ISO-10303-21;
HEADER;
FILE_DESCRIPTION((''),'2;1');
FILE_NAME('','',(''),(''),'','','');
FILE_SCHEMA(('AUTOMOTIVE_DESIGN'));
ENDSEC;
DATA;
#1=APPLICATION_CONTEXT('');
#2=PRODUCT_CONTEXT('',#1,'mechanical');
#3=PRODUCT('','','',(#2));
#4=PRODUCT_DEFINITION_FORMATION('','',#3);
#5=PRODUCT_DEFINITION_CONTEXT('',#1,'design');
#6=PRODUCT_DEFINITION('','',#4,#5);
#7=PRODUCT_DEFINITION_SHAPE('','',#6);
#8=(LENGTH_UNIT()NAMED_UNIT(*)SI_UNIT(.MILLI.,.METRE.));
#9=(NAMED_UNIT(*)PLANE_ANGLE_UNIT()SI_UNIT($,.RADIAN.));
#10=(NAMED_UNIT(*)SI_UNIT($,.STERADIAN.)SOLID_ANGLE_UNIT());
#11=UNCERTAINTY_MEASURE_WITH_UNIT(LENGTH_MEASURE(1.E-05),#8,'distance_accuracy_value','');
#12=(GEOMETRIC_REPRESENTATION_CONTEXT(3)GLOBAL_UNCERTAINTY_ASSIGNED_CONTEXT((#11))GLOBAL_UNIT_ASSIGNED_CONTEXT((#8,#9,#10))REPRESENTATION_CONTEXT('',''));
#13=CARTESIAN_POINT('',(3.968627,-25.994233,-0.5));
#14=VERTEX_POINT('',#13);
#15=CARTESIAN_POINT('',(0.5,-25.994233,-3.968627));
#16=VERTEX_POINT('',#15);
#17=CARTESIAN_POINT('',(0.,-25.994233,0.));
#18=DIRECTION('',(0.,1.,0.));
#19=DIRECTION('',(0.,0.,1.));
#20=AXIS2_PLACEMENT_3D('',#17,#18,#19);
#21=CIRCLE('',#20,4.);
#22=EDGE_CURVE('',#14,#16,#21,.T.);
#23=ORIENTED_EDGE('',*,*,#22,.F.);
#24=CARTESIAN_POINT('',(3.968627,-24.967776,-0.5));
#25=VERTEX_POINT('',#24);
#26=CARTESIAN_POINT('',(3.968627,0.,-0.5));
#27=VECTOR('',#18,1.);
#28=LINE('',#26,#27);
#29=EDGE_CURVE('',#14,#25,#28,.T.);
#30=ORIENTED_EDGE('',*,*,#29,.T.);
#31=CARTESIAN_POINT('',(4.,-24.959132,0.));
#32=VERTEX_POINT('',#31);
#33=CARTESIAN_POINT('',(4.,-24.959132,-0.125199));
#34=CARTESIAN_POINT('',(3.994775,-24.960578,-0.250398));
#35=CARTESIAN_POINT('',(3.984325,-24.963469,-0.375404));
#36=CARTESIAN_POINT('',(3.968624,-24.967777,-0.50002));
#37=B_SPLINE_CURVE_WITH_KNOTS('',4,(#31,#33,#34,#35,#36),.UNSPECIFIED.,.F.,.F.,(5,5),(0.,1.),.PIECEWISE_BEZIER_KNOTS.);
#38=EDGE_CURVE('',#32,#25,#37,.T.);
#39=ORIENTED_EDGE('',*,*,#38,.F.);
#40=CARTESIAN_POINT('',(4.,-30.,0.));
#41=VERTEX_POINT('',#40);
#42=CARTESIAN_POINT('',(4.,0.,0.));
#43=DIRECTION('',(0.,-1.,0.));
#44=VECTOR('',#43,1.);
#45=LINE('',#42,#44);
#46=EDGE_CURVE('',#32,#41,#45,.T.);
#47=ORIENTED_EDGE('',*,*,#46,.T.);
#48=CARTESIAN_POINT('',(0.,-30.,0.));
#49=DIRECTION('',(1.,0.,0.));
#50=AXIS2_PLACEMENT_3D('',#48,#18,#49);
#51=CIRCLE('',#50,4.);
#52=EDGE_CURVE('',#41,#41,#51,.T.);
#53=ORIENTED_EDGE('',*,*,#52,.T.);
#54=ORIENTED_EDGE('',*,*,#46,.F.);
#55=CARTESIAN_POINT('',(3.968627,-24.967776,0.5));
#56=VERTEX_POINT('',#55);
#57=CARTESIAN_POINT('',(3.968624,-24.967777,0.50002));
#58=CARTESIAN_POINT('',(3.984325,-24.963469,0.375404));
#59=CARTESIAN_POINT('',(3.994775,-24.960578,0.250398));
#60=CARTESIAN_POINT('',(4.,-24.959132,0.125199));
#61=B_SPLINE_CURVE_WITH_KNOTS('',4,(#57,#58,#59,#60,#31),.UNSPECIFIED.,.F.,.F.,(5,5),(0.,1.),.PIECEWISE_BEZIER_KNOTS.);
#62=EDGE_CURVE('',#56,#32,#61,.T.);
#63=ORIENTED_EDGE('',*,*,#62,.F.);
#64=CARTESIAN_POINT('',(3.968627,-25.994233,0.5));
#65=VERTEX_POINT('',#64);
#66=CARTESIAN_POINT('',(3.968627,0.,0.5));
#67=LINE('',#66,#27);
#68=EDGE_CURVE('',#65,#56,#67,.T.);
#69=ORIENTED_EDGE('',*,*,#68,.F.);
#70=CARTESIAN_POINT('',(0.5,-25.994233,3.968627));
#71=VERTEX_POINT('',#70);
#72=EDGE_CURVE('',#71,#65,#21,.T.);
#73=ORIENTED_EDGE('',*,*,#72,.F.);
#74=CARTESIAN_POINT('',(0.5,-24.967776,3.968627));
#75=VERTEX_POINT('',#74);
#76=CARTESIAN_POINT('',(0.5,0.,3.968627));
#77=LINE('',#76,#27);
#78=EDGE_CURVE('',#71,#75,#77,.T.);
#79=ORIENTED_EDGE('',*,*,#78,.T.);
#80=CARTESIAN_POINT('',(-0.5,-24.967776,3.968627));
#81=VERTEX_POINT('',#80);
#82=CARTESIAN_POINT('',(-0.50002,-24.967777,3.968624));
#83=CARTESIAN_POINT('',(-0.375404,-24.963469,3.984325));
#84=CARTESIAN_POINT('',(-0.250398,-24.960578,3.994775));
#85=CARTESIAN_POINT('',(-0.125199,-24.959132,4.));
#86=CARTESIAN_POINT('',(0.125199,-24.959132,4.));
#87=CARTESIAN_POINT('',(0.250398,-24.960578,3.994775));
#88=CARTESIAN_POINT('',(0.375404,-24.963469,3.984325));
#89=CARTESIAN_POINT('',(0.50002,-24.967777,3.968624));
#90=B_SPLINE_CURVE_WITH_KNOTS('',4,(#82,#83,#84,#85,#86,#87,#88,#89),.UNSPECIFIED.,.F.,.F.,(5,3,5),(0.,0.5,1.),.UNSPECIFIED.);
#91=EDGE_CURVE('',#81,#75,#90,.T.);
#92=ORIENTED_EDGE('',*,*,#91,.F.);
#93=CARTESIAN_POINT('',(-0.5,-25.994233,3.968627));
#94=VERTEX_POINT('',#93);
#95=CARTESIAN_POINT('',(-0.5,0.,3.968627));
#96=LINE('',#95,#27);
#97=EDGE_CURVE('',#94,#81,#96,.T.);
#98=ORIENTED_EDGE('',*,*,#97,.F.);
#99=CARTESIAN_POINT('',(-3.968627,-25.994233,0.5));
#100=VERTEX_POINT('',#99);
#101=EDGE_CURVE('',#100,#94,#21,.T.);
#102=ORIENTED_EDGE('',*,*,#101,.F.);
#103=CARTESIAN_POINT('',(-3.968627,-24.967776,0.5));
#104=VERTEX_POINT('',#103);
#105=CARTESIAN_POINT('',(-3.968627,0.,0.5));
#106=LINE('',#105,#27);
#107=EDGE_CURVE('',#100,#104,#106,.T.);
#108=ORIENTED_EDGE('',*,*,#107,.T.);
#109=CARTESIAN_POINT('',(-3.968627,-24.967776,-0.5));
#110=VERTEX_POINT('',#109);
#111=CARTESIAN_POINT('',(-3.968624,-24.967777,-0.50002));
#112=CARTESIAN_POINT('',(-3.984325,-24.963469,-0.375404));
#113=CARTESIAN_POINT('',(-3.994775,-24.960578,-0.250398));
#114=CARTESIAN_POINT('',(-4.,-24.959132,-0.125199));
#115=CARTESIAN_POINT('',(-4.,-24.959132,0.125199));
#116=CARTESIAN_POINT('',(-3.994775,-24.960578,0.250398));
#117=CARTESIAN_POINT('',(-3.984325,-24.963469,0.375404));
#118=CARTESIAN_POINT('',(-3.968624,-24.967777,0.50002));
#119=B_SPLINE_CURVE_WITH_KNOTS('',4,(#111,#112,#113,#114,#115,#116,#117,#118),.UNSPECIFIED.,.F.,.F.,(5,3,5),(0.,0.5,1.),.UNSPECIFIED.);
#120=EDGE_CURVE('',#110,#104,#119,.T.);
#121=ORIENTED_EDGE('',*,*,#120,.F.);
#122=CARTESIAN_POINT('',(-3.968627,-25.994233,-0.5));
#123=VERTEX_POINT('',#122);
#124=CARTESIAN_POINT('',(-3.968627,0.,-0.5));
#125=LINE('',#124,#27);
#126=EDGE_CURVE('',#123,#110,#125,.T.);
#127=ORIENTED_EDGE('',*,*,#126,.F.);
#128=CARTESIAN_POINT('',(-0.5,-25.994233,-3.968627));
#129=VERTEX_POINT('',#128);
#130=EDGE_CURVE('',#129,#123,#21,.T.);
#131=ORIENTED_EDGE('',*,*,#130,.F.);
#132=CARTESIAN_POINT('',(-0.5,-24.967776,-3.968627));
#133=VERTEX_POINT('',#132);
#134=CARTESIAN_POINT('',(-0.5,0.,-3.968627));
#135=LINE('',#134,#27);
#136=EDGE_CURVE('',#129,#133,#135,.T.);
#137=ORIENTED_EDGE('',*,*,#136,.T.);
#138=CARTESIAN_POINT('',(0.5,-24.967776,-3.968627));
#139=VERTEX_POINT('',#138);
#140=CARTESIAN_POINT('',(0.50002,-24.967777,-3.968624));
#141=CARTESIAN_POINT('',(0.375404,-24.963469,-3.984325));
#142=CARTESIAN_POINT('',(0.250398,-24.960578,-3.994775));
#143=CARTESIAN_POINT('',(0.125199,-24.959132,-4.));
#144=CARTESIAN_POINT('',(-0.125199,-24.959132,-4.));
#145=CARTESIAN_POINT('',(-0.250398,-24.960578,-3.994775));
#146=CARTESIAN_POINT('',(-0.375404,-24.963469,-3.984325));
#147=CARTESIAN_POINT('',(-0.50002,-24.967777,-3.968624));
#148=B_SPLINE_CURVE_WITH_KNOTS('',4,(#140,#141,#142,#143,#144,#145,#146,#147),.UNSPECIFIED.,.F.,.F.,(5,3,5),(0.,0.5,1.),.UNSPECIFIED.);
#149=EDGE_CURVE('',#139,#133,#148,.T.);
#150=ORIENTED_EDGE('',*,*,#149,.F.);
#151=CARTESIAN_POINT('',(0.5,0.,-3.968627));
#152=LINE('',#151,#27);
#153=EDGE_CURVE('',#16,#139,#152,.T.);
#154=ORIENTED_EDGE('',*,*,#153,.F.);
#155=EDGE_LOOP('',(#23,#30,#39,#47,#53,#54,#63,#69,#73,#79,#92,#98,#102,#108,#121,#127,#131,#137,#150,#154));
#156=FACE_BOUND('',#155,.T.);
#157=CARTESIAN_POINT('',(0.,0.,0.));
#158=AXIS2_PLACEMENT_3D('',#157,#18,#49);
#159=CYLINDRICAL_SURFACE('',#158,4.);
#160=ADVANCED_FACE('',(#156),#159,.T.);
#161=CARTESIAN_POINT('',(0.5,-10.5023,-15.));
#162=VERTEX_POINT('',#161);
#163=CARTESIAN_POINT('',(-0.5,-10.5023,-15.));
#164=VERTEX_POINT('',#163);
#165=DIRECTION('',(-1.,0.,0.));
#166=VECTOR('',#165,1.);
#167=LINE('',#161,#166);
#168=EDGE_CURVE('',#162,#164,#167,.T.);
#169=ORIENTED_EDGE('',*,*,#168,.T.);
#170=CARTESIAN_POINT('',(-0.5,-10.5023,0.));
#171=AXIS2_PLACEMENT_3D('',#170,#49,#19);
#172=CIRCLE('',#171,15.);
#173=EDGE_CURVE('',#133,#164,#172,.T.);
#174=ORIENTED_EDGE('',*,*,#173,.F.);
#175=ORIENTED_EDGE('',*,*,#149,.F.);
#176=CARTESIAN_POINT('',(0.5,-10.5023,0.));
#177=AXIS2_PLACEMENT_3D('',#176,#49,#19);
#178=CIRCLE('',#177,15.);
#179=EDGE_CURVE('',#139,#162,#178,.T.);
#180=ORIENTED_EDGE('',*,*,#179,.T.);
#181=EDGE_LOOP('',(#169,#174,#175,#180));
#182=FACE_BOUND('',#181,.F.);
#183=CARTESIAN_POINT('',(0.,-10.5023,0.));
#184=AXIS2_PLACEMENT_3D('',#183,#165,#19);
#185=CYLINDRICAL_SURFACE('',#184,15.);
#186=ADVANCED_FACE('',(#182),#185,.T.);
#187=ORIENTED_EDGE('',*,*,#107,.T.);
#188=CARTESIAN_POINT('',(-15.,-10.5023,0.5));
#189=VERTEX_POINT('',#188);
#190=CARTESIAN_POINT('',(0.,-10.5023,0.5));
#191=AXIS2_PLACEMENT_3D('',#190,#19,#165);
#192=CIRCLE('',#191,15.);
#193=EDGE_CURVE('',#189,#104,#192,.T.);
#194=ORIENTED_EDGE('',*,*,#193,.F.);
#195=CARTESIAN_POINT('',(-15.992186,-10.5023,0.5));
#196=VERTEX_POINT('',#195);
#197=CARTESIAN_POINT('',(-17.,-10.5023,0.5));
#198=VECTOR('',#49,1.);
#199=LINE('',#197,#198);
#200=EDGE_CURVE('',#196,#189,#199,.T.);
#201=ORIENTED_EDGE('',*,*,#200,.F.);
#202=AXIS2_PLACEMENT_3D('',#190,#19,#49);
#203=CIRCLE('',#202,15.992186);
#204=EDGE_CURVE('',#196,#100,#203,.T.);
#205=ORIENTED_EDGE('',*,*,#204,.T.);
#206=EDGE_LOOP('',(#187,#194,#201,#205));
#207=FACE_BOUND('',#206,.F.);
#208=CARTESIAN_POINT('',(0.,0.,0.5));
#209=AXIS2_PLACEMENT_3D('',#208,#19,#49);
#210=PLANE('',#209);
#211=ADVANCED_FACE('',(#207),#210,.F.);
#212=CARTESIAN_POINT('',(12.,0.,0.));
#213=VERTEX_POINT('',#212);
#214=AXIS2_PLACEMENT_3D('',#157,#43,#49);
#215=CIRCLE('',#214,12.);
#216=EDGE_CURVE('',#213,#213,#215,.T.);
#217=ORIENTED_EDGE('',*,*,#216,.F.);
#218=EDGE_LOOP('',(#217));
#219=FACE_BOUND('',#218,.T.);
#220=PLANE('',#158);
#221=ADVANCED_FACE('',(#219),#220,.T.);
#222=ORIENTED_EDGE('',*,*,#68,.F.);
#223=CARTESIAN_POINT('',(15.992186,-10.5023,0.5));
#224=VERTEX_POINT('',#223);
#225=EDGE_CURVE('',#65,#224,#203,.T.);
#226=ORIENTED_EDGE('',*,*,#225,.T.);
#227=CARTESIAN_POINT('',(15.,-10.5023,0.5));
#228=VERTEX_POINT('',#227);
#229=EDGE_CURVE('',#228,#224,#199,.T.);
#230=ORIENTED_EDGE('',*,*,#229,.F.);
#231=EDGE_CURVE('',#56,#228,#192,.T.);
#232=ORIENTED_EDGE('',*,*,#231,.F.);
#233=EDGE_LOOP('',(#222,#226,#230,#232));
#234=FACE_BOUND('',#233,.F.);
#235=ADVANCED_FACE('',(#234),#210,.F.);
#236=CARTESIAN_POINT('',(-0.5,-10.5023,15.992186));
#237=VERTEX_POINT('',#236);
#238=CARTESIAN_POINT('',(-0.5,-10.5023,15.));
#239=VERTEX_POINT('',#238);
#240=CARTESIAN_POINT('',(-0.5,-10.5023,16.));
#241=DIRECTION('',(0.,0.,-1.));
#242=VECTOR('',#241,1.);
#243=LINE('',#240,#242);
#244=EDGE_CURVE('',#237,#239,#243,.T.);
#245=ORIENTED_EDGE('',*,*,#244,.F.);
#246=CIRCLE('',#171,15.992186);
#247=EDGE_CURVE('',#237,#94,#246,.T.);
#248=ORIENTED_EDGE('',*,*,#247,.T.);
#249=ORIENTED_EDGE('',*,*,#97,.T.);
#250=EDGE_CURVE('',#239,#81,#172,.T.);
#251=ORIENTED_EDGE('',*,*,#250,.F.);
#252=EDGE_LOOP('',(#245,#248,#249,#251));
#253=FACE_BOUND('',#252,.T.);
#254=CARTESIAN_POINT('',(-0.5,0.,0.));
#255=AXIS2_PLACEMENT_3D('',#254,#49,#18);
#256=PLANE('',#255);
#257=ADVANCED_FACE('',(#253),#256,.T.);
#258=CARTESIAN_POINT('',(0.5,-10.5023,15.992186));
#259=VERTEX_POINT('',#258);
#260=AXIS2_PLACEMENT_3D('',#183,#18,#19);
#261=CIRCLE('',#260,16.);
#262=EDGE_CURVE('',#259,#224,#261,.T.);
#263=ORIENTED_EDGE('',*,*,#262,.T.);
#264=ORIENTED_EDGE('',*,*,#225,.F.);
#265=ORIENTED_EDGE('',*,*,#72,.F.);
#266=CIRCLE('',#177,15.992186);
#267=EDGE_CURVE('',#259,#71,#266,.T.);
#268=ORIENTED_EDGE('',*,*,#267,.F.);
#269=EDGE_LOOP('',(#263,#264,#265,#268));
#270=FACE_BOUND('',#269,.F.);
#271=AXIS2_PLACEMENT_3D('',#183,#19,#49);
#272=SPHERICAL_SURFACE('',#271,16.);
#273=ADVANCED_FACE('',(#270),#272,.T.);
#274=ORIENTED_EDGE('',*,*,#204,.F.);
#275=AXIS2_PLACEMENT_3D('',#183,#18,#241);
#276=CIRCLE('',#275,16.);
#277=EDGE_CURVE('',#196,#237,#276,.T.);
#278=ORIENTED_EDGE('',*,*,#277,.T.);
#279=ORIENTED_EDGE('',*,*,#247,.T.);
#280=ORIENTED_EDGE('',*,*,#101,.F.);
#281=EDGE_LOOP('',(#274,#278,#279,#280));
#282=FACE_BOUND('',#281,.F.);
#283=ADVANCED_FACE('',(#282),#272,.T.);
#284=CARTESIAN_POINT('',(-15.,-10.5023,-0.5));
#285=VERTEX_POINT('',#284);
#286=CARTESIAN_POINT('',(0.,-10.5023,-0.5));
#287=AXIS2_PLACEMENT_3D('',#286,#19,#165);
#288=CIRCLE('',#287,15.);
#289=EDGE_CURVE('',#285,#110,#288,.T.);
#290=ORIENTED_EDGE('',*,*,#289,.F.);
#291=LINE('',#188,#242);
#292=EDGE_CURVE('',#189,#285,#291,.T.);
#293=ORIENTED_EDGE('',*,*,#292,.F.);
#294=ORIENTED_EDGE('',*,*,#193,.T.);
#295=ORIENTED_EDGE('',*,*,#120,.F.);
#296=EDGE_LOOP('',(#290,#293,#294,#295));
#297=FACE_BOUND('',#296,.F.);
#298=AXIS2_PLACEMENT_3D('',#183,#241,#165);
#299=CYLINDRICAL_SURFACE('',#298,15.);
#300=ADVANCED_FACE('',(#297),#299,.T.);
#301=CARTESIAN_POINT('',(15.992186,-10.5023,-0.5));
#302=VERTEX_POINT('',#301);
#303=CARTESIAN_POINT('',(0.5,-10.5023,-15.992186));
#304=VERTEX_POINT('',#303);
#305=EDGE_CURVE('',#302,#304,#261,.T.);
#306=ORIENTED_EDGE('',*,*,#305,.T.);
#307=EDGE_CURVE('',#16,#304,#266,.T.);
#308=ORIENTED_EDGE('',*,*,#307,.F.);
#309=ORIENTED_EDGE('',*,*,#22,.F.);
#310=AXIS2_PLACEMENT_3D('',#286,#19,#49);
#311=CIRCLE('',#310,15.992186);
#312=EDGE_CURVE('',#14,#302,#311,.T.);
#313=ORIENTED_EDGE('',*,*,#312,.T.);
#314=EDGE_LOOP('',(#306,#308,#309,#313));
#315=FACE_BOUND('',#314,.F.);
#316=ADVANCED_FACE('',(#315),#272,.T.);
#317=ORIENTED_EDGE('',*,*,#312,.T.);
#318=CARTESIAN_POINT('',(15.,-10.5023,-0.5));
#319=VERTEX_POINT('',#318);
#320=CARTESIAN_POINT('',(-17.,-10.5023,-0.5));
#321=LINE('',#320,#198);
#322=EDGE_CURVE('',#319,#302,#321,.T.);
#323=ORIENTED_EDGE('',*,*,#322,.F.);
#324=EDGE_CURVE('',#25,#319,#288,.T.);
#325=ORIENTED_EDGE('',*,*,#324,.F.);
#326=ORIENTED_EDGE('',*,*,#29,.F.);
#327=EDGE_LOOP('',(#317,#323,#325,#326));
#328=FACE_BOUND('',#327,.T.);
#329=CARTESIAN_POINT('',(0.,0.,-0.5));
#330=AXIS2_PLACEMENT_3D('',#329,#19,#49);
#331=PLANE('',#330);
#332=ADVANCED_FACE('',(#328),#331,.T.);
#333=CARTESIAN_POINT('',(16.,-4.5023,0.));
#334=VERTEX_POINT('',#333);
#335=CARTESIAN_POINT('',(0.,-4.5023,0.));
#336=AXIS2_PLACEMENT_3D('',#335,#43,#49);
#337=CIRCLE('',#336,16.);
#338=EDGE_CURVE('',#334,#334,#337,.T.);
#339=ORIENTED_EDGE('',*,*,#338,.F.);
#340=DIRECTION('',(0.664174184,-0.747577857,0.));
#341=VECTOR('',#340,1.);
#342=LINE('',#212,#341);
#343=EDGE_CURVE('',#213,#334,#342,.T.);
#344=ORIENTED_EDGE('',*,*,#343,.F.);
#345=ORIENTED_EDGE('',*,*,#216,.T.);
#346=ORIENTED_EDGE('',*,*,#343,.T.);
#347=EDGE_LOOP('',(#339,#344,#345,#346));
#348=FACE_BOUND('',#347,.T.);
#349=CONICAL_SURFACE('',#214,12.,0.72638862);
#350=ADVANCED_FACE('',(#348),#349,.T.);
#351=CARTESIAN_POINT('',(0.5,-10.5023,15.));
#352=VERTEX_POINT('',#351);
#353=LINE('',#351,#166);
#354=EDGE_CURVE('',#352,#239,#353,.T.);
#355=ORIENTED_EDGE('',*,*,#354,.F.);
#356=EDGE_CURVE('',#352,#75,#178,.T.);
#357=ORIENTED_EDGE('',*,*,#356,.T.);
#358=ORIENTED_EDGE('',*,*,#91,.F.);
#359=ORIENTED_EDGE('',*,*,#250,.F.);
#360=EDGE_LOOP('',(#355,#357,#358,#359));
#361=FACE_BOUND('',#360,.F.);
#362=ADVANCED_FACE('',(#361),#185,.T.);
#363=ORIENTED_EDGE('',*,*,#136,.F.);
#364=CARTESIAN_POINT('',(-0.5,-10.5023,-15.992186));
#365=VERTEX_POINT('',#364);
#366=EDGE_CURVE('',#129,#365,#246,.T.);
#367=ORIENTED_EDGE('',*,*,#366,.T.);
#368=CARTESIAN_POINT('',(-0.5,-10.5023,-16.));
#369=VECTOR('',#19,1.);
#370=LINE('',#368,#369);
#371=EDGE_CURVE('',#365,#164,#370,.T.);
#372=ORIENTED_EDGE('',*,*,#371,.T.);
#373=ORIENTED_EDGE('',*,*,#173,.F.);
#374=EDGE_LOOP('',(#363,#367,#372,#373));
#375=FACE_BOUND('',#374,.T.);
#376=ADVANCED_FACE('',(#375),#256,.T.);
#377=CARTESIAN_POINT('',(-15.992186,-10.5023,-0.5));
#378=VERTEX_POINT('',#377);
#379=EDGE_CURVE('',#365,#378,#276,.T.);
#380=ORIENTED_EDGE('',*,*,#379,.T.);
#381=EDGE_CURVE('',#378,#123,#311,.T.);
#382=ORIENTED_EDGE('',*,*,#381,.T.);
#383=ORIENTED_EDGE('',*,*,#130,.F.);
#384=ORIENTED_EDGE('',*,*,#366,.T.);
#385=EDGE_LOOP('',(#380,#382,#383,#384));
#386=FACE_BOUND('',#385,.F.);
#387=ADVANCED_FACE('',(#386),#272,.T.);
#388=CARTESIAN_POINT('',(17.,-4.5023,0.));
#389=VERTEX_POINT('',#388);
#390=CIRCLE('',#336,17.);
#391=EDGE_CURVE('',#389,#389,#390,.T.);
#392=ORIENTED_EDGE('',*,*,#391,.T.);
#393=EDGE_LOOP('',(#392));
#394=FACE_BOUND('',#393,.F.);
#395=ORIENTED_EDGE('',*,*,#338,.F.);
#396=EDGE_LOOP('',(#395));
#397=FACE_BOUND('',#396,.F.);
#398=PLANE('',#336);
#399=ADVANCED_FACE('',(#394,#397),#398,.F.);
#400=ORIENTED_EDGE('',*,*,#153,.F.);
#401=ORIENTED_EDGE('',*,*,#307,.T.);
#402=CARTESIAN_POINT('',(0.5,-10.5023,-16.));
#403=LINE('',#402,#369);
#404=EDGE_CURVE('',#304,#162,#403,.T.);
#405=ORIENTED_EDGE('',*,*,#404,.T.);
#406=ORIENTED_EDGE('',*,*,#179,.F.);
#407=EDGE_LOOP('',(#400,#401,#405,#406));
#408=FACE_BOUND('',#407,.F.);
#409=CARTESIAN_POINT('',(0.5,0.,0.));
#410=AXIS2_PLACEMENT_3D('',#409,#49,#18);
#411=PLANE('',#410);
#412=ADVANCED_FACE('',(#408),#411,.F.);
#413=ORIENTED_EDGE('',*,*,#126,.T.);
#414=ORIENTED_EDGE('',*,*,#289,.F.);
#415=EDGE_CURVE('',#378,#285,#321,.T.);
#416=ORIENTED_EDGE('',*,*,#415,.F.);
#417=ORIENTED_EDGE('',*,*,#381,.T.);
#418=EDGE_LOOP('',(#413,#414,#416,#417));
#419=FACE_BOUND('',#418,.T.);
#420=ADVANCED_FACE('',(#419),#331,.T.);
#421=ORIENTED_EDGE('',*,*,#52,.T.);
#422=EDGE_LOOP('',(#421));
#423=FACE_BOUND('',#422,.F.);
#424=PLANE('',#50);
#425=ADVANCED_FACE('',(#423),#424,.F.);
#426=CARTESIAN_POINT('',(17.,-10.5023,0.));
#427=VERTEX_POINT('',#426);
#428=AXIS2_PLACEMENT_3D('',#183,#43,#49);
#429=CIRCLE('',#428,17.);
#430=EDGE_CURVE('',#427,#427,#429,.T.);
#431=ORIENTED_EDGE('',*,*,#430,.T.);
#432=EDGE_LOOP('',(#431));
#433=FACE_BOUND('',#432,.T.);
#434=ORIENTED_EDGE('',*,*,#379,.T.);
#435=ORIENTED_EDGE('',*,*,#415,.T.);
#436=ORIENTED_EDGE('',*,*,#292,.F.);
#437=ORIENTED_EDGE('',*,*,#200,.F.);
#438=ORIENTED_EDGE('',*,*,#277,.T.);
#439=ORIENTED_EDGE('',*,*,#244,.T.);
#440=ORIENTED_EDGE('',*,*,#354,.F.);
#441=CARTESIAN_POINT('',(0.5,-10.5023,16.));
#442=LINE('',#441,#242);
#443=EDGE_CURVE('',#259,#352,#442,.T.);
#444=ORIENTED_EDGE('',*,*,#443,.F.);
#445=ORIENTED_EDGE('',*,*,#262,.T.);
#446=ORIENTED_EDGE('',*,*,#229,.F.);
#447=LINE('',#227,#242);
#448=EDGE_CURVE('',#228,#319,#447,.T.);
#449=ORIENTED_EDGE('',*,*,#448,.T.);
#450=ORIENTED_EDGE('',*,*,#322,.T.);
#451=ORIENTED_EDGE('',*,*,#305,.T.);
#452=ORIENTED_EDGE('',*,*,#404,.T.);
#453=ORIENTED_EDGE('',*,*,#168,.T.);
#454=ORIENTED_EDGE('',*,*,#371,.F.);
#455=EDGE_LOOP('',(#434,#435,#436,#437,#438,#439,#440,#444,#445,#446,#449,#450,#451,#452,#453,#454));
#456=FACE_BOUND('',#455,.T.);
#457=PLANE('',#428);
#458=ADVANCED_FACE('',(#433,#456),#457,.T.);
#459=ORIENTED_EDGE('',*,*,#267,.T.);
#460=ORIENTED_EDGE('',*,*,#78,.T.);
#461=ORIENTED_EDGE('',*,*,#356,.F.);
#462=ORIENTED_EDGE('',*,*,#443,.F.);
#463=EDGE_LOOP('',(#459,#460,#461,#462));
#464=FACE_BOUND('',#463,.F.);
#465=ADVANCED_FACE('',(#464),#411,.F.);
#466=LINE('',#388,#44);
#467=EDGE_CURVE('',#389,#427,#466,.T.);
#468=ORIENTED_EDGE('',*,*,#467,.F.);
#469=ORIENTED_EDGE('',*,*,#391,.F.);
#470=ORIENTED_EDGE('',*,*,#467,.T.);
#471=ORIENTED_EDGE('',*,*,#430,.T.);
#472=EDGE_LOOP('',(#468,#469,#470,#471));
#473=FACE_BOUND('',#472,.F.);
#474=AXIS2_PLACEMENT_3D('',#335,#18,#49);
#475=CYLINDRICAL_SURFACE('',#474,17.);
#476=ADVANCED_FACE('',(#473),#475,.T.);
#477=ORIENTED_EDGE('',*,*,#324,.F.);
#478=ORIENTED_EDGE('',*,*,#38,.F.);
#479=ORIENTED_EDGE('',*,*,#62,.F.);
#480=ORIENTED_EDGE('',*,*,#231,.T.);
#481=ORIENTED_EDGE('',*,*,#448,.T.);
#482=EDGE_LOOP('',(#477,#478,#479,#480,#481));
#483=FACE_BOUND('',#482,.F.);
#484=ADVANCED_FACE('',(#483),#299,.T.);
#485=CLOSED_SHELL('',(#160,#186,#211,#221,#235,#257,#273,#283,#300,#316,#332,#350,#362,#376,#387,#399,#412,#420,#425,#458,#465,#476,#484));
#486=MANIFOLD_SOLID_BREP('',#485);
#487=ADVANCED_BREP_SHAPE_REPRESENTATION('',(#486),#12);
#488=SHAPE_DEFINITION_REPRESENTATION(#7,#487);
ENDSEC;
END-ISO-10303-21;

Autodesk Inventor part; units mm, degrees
ref_plane "YZ Plane" through (0, 0, 0) normal (1, 0, 0) x (0, 1, 0)
ref_plane "XZ Plane" through (0, 0, 0) normal (0, 1, 0) x (-1, 0, 0)
ref_plane "XY Plane" through (0, 0, 0) normal (0, 0, 1) x (1, 0, 0)
sketch "草圖1" plane through (0, 0, 0) normal (0, 0, 1) x (1, 0, 0)
  line L0 (0, 0) -> (12, 0)
  line L1 (12, 0) -> (16, -4.5023)
  line L2 (16, -4.5023) -> (0, -4.5023)
  line L3 (0, 0) -> (0, -4.5023)
  dimension "d0" = 12
  dimension "d1" = 16
revolve "迴轉1" add sketch "草圖1" angle 360 about axis through (0, 0, 0) along (0, -1, 0)
sketch "草圖2" plane through (0, -4.5023, 0) normal (0, -1, 0) x (1, 0, 0)
  circle A0 centre (0, 0) radius 17
  dimension "d3" = 34
extrude "擠出1" add sketch "草圖2" along normal blind 6
sketch "草圖3" plane through (0, -10.5023, 0) normal (0, -1, 0) x (1, 0, 0)
  circle A0 centre (0, 0) radius 16
  circle A1 centre (0, 0) radius 16 projected
  line L0 (0, 16) -> (0, -16)
  dimension "d6" = 32
revolve "迴轉2" add sketch "草圖3" angle 180 about axis through (0, -10.5023, 16) along (0, 0, -1) picked at (2.314, 4.8052) contours A0 L0
sketch "草圖4" plane through (0, 0, 0) normal (0, 0, 1) x (1, 0, 0)
  arc A0 (-16, -10.5023) -> (16, -10.5023) centre (0, -10.5023) ccw projected
  arc A1 (-16, -10.5023) -> (16, -10.5023) centre (0, -10.5023) ccw
  line L0 (-17, -10.5023) -> (17, -10.5023) projected
  arc A2 (-15, -10.5023) -> (15, -10.5023) centre (0, -10.5023) ccw
  line L1 (-16, -10.5023) -> (-15, -10.5023)
  line L2 (15, -10.5023) -> (16, -10.5023)
  point P0 (0, 0)
  dimension "d8" = 1
extrude "擠出2" cut sketch "草圖4" along normal mid plane 1 contours L0 A2 A0
sketch "草圖5" plane through (0, 0, 0) normal (1, 0, 0) x (0, 1, 0)
  arc A0 (-10.5023, 16) -> (-26.4945, 0.5) centre (-10.5023, 0) ccw projected
  arc A1 (-26.4945, -0.5) -> (-10.5023, -16) centre (-10.5023, 0) ccw projected
  arc A2 (-10.5023, 16) -> (-10.5023, -16) centre (-10.5023, 0) ccw
  line L0 (-10.5023, -16) -> (-10.5023, -0.5) projected
  arc A3 (-10.5023, 15) -> (-10.5023, -15) centre (-10.5023, 0) ccw
  line L1 (-10.5023, -16) -> (-10.5023, -15)
  line L2 (-10.5023, 16) -> (-10.5023, 15)
  line L3 (-10.5023, 17) -> (-10.5023, -17) projected
  point P0 (0, 0)
  point P1 (-26.4945, 0.5)
  point P2 (-26.4945, -0.5)
  dimension "d11" = 1
extrude "擠出3" cut sketch "草圖5" along normal mid plane 1 contours L2 A3 L0 A1 A2 A0
sketch "草圖6" plane through (0, 0, 0) normal (0, 1, 0) x (1, 0, 0)
  line L0 (0.5, -0.5) -> (0, 0) projected
  circle A0 centre (0, 0) radius 4
  dimension "d14" = 8
extrude "擠出4" add sketch "草圖6" against normal blind 30
properties part number "屋1 物1 base"
